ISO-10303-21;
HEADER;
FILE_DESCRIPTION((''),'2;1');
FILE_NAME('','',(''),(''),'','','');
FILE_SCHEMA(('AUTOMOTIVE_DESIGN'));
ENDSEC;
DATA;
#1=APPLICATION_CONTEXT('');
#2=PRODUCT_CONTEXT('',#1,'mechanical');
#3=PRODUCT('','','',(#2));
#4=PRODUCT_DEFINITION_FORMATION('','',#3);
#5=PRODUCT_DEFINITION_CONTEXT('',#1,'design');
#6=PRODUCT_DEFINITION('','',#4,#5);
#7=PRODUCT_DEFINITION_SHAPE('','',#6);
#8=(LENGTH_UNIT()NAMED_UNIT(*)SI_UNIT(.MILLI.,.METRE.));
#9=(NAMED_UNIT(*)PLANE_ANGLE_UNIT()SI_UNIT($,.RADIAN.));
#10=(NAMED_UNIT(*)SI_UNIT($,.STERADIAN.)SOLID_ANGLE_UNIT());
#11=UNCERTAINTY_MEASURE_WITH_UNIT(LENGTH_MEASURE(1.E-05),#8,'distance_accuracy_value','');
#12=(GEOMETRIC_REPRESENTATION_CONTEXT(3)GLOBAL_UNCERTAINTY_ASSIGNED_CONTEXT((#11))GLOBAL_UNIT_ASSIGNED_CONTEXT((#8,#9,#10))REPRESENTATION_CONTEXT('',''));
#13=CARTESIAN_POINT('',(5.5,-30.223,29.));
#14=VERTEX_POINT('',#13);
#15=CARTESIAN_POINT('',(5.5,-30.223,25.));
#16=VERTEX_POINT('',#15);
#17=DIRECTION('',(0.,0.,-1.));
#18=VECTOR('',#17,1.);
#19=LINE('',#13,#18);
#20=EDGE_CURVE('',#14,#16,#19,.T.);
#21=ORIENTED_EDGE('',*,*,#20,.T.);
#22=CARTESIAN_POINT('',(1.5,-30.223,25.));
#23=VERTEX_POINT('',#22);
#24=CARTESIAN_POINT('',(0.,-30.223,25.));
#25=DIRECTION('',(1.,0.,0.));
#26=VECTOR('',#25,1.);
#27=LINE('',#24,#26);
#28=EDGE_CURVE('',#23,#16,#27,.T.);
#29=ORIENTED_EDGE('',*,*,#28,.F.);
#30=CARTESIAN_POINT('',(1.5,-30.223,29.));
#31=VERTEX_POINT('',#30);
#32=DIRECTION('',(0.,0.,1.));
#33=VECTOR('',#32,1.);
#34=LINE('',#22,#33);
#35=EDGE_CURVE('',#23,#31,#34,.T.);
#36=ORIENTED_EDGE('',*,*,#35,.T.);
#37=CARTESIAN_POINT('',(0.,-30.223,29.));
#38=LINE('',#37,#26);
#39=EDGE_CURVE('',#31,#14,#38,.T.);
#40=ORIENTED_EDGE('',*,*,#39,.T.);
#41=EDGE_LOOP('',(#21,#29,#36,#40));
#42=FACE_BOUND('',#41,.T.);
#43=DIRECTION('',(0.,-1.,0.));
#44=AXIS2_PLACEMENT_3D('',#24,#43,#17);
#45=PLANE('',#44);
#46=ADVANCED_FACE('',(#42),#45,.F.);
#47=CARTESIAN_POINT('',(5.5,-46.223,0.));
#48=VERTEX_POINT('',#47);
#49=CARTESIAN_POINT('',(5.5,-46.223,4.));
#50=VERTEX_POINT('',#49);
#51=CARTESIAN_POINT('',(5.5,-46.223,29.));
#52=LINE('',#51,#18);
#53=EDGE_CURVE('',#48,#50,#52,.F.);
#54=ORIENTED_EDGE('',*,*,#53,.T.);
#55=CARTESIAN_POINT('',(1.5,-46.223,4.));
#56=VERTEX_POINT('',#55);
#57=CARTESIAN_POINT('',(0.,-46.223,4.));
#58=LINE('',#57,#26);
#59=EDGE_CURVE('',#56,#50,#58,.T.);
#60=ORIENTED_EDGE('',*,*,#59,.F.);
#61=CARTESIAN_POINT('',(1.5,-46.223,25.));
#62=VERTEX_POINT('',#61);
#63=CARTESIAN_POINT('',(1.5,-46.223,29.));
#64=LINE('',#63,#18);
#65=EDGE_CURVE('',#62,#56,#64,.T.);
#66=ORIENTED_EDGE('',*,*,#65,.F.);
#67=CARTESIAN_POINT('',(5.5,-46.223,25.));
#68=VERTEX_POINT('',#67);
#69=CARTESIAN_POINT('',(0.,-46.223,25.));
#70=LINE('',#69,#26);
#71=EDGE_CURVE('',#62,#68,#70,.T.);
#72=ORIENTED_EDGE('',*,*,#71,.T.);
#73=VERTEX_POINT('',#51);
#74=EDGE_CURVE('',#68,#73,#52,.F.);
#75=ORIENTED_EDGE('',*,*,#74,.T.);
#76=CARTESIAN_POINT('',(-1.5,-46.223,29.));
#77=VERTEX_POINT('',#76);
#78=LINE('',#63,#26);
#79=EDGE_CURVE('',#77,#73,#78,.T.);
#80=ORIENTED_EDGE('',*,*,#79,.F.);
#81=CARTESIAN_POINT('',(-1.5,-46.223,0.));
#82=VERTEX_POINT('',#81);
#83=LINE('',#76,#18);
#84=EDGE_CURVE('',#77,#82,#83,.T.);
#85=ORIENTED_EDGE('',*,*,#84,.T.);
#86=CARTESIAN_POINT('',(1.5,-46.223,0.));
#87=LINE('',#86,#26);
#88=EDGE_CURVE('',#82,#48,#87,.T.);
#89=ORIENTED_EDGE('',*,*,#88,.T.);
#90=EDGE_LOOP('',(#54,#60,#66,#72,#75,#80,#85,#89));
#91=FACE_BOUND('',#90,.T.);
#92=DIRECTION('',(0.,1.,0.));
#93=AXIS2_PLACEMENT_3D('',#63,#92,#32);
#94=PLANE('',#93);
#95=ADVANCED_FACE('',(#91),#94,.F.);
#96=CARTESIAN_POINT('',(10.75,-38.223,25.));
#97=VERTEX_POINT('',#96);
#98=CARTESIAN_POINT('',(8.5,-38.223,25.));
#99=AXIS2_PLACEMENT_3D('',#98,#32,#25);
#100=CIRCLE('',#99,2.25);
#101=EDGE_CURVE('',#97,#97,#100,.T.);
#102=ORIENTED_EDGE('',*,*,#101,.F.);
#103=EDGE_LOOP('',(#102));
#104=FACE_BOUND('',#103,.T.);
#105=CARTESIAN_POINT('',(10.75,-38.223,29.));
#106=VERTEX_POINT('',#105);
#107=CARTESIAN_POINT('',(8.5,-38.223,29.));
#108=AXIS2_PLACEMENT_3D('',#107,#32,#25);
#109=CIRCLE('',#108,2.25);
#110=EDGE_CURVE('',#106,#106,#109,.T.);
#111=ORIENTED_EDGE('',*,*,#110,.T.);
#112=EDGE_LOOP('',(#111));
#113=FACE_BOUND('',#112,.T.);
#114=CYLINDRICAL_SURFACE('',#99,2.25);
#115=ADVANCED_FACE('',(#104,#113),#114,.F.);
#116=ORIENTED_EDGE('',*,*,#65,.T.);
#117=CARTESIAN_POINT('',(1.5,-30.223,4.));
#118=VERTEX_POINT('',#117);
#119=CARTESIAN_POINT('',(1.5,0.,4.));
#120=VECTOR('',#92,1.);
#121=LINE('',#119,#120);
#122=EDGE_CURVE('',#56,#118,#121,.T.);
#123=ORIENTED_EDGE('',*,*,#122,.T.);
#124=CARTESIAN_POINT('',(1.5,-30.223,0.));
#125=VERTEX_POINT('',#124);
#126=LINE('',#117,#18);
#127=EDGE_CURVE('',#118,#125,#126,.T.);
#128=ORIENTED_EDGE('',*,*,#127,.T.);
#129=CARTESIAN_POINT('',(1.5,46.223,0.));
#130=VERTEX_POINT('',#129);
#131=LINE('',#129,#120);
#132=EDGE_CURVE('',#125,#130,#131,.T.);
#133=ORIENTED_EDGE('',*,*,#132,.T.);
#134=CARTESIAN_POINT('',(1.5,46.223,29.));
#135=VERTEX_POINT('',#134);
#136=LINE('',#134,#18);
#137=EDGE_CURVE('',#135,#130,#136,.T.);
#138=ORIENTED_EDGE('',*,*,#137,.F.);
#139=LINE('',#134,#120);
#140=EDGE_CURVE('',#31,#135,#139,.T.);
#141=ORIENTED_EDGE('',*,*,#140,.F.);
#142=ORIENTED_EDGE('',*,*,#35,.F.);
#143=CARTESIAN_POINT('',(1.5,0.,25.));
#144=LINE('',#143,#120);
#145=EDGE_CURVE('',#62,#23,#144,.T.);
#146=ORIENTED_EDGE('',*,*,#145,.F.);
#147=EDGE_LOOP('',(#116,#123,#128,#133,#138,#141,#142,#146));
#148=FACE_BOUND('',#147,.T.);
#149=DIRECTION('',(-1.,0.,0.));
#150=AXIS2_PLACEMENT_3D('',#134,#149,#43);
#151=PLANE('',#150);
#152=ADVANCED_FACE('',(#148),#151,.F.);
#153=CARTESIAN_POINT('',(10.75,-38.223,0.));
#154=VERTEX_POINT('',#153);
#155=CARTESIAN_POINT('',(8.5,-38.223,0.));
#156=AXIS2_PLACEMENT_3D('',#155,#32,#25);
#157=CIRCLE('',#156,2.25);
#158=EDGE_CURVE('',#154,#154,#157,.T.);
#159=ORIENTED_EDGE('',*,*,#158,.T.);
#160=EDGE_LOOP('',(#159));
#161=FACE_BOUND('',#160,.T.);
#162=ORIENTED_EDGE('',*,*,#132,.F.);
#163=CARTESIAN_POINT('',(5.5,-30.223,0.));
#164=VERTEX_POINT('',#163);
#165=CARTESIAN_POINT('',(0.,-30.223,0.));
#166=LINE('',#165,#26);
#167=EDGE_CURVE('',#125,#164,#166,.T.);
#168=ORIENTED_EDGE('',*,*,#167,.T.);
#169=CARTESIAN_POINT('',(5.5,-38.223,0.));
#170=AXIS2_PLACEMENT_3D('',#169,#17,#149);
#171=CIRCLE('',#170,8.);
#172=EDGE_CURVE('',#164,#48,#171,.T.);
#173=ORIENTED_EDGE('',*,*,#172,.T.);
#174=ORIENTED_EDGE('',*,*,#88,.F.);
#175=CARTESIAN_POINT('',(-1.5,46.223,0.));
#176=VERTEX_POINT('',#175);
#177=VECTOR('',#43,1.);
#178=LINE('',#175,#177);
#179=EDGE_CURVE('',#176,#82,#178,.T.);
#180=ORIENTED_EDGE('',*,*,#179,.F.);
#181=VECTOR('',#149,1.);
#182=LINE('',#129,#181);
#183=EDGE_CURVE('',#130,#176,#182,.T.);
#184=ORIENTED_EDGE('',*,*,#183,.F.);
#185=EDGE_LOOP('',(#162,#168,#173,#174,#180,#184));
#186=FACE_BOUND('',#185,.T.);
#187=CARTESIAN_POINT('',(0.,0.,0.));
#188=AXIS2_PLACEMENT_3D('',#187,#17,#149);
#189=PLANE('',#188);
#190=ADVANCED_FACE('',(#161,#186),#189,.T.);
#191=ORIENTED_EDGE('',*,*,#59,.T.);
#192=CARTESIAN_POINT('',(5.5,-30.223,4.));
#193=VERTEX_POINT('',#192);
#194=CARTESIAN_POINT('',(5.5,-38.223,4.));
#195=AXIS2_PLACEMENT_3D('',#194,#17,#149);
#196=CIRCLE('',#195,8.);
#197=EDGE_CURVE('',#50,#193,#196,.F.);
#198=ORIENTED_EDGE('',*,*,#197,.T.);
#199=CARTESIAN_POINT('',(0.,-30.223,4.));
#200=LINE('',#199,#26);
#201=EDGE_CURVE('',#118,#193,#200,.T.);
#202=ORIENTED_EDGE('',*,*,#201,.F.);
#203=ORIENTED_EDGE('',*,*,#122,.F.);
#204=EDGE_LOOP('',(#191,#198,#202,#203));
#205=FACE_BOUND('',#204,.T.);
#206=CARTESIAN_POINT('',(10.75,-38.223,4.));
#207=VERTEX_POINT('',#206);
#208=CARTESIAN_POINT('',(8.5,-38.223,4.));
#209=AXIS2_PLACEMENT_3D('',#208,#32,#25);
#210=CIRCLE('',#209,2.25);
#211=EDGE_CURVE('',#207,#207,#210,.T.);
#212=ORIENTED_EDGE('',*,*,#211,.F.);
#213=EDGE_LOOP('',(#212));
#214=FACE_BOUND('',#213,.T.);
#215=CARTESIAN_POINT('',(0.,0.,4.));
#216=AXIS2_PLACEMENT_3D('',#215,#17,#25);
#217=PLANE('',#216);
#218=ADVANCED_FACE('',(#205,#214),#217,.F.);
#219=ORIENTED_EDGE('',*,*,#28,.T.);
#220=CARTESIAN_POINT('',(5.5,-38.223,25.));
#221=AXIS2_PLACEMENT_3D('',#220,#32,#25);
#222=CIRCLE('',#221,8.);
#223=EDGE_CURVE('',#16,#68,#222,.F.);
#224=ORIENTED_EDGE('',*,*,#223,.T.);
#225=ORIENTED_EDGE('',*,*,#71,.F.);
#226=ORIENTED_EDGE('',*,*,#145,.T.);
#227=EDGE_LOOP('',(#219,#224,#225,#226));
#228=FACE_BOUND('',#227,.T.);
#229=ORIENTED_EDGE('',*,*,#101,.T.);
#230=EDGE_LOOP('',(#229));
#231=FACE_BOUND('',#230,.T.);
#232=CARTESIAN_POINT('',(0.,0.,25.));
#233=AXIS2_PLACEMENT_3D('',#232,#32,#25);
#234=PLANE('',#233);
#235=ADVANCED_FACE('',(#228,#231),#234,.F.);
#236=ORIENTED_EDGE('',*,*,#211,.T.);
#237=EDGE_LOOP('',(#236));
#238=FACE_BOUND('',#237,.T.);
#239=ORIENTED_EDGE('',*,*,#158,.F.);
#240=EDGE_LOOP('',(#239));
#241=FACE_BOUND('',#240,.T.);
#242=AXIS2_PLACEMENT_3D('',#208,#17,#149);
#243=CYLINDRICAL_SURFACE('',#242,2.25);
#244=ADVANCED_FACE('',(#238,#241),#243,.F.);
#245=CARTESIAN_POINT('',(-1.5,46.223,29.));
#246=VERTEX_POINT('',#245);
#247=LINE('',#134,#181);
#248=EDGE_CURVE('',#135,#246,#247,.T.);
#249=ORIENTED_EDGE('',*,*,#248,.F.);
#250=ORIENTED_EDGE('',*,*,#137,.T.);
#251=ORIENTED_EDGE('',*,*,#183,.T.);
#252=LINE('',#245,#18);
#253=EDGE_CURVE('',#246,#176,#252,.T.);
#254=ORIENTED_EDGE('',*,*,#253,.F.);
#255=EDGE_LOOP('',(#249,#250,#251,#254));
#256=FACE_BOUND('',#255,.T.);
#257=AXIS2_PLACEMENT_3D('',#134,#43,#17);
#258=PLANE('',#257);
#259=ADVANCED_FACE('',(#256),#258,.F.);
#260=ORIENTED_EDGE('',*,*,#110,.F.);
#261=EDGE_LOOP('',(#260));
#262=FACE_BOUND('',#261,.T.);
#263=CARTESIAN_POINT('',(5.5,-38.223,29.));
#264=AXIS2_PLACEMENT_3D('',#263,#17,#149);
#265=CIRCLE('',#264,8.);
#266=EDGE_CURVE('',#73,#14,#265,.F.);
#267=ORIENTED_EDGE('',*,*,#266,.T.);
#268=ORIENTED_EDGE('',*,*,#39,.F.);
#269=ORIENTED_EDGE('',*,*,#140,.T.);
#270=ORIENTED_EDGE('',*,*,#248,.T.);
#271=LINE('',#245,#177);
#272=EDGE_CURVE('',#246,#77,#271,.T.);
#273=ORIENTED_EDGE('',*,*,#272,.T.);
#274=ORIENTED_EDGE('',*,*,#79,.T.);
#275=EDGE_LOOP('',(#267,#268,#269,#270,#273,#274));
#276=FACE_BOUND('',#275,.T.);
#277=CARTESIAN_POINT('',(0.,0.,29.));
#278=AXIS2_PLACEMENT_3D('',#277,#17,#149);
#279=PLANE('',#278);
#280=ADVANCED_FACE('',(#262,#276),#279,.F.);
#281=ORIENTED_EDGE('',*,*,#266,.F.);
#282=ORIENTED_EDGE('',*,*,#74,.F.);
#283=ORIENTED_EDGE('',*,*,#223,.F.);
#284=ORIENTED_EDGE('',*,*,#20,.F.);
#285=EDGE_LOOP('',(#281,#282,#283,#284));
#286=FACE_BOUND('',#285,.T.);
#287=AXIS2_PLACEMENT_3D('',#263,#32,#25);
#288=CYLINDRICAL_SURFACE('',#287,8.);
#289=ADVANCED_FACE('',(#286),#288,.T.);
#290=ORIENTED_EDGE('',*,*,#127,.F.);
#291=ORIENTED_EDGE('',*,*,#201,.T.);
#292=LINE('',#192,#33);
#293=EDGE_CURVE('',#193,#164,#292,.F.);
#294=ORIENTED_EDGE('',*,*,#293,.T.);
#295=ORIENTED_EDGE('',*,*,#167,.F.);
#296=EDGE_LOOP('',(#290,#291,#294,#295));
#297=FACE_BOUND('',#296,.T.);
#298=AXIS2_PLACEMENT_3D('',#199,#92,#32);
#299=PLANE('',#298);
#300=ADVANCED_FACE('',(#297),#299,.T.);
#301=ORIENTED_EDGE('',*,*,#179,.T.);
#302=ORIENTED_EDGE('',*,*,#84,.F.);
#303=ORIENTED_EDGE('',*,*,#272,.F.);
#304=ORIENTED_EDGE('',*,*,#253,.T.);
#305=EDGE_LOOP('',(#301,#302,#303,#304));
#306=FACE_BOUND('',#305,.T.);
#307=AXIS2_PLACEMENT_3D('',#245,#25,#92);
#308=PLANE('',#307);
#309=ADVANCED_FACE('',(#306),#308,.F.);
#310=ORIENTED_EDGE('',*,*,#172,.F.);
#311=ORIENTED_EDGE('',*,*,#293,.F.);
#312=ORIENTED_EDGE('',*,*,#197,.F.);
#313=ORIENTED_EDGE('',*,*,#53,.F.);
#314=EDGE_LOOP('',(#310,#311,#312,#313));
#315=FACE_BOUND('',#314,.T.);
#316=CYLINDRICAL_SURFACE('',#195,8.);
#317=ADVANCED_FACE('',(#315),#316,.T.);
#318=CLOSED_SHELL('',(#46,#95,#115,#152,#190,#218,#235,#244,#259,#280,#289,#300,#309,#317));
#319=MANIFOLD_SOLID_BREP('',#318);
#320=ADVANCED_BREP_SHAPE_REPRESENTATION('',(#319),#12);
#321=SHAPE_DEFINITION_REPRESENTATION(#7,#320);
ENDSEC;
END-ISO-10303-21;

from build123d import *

# Parameters (mm, degrees)
SKETCH1_W                   = 3
SKETCH1_H                   = 92.446
BOSS_EXTRUDE1_DEPTH         = 29
SKETCH2_W                   = 12
SKETCH2_H                   = 16
SKETCH2_R                   = 2.25
BOSS_EXTRUDE2_DEPTH         = 4
FILLET2_RADIUS              = 8
FILLET2_LENGTH              = 4
FILLET2_OF_MIRROR2_2_RADIUS = 8
FILLET2_OF_MIRROR2_2_LENGTH = 4


with BuildPart() as part:
    # Sketch1 → Boss-Extrude1 (new body)
    with BuildSketch(Plane.XY):
        Rectangle(SKETCH1_W, SKETCH1_H)
    extrude(amount=BOSS_EXTRUDE1_DEPTH)

    # Sketch2 → Boss-Extrude2 (add)
    with BuildSketch(Plane.XY.offset(29)):
        with Locations((7.5, -38.223)):
            Rectangle(SKETCH2_W, SKETCH2_H)
        with Locations((8.5, -38.223)):
            Circle(SKETCH2_R, mode=Mode.SUBTRACT)
    boss_extrude2 = extrude(amount=-BOSS_EXTRUDE2_DEPTH)

    # Fillet2: full round fillet: the end face becomes a half cylinder, R = half its width
    fillet2_face = Plane((13.5, -38.223, 27), x_dir=(0, 0, -1), z_dir=(1, 0, 0))  # on the end face: x along it, z out of the body
    fillet2_slab = fillet2_face.offset(-FILLET2_RADIUS / 2) * Box(FILLET2_LENGTH, 2 * FILLET2_RADIUS, FILLET2_RADIUS, mode=Mode.PRIVATE)  # the body's end, R deep
    fillet2_round = Plane((5.5, -38.223, 27), x_dir=(1, 0, 0), z_dir=(0, 0, -1)) * Cylinder(FILLET2_RADIUS, FILLET2_LENGTH, mode=Mode.PRIVATE)  # its axis R under the face
    add(fillet2_slab - fillet2_round, mode=Mode.SUBTRACT)

    # Mirror2: Boss-Extrude2 across plane
    add(boss_extrude2.mirror(Plane.XY.offset(14.5)))

    # Fillet2 of Mirror2 2: full round fillet: the end face becomes a half cylinder, R = half its width
    fillet2_of_mirror2_2_face = Plane((13.5, -38.223, 2), x_dir=(0, 0, 1), z_dir=(1, 0, 0))  # on the end face: x along it, z out of the body
    fillet2_of_mirror2_2_slab = fillet2_of_mirror2_2_face.offset(-FILLET2_OF_MIRROR2_2_RADIUS / 2) * Box(FILLET2_OF_MIRROR2_2_LENGTH, 2 * FILLET2_OF_MIRROR2_2_RADIUS, FILLET2_OF_MIRROR2_2_RADIUS, mode=Mode.PRIVATE)  # the body's end, R deep
    fillet2_of_mirror2_2_round = Plane((5.5, -38.223, 2), x_dir=(1, 0, 0), z_dir=(0, 0, 1)) * Cylinder(FILLET2_OF_MIRROR2_2_RADIUS, FILLET2_OF_MIRROR2_2_LENGTH, mode=Mode.PRIVATE)  # its axis R under the face
    add(fillet2_of_mirror2_2_slab - fillet2_of_mirror2_2_round, mode=Mode.SUBTRACT)


solid = part.part
